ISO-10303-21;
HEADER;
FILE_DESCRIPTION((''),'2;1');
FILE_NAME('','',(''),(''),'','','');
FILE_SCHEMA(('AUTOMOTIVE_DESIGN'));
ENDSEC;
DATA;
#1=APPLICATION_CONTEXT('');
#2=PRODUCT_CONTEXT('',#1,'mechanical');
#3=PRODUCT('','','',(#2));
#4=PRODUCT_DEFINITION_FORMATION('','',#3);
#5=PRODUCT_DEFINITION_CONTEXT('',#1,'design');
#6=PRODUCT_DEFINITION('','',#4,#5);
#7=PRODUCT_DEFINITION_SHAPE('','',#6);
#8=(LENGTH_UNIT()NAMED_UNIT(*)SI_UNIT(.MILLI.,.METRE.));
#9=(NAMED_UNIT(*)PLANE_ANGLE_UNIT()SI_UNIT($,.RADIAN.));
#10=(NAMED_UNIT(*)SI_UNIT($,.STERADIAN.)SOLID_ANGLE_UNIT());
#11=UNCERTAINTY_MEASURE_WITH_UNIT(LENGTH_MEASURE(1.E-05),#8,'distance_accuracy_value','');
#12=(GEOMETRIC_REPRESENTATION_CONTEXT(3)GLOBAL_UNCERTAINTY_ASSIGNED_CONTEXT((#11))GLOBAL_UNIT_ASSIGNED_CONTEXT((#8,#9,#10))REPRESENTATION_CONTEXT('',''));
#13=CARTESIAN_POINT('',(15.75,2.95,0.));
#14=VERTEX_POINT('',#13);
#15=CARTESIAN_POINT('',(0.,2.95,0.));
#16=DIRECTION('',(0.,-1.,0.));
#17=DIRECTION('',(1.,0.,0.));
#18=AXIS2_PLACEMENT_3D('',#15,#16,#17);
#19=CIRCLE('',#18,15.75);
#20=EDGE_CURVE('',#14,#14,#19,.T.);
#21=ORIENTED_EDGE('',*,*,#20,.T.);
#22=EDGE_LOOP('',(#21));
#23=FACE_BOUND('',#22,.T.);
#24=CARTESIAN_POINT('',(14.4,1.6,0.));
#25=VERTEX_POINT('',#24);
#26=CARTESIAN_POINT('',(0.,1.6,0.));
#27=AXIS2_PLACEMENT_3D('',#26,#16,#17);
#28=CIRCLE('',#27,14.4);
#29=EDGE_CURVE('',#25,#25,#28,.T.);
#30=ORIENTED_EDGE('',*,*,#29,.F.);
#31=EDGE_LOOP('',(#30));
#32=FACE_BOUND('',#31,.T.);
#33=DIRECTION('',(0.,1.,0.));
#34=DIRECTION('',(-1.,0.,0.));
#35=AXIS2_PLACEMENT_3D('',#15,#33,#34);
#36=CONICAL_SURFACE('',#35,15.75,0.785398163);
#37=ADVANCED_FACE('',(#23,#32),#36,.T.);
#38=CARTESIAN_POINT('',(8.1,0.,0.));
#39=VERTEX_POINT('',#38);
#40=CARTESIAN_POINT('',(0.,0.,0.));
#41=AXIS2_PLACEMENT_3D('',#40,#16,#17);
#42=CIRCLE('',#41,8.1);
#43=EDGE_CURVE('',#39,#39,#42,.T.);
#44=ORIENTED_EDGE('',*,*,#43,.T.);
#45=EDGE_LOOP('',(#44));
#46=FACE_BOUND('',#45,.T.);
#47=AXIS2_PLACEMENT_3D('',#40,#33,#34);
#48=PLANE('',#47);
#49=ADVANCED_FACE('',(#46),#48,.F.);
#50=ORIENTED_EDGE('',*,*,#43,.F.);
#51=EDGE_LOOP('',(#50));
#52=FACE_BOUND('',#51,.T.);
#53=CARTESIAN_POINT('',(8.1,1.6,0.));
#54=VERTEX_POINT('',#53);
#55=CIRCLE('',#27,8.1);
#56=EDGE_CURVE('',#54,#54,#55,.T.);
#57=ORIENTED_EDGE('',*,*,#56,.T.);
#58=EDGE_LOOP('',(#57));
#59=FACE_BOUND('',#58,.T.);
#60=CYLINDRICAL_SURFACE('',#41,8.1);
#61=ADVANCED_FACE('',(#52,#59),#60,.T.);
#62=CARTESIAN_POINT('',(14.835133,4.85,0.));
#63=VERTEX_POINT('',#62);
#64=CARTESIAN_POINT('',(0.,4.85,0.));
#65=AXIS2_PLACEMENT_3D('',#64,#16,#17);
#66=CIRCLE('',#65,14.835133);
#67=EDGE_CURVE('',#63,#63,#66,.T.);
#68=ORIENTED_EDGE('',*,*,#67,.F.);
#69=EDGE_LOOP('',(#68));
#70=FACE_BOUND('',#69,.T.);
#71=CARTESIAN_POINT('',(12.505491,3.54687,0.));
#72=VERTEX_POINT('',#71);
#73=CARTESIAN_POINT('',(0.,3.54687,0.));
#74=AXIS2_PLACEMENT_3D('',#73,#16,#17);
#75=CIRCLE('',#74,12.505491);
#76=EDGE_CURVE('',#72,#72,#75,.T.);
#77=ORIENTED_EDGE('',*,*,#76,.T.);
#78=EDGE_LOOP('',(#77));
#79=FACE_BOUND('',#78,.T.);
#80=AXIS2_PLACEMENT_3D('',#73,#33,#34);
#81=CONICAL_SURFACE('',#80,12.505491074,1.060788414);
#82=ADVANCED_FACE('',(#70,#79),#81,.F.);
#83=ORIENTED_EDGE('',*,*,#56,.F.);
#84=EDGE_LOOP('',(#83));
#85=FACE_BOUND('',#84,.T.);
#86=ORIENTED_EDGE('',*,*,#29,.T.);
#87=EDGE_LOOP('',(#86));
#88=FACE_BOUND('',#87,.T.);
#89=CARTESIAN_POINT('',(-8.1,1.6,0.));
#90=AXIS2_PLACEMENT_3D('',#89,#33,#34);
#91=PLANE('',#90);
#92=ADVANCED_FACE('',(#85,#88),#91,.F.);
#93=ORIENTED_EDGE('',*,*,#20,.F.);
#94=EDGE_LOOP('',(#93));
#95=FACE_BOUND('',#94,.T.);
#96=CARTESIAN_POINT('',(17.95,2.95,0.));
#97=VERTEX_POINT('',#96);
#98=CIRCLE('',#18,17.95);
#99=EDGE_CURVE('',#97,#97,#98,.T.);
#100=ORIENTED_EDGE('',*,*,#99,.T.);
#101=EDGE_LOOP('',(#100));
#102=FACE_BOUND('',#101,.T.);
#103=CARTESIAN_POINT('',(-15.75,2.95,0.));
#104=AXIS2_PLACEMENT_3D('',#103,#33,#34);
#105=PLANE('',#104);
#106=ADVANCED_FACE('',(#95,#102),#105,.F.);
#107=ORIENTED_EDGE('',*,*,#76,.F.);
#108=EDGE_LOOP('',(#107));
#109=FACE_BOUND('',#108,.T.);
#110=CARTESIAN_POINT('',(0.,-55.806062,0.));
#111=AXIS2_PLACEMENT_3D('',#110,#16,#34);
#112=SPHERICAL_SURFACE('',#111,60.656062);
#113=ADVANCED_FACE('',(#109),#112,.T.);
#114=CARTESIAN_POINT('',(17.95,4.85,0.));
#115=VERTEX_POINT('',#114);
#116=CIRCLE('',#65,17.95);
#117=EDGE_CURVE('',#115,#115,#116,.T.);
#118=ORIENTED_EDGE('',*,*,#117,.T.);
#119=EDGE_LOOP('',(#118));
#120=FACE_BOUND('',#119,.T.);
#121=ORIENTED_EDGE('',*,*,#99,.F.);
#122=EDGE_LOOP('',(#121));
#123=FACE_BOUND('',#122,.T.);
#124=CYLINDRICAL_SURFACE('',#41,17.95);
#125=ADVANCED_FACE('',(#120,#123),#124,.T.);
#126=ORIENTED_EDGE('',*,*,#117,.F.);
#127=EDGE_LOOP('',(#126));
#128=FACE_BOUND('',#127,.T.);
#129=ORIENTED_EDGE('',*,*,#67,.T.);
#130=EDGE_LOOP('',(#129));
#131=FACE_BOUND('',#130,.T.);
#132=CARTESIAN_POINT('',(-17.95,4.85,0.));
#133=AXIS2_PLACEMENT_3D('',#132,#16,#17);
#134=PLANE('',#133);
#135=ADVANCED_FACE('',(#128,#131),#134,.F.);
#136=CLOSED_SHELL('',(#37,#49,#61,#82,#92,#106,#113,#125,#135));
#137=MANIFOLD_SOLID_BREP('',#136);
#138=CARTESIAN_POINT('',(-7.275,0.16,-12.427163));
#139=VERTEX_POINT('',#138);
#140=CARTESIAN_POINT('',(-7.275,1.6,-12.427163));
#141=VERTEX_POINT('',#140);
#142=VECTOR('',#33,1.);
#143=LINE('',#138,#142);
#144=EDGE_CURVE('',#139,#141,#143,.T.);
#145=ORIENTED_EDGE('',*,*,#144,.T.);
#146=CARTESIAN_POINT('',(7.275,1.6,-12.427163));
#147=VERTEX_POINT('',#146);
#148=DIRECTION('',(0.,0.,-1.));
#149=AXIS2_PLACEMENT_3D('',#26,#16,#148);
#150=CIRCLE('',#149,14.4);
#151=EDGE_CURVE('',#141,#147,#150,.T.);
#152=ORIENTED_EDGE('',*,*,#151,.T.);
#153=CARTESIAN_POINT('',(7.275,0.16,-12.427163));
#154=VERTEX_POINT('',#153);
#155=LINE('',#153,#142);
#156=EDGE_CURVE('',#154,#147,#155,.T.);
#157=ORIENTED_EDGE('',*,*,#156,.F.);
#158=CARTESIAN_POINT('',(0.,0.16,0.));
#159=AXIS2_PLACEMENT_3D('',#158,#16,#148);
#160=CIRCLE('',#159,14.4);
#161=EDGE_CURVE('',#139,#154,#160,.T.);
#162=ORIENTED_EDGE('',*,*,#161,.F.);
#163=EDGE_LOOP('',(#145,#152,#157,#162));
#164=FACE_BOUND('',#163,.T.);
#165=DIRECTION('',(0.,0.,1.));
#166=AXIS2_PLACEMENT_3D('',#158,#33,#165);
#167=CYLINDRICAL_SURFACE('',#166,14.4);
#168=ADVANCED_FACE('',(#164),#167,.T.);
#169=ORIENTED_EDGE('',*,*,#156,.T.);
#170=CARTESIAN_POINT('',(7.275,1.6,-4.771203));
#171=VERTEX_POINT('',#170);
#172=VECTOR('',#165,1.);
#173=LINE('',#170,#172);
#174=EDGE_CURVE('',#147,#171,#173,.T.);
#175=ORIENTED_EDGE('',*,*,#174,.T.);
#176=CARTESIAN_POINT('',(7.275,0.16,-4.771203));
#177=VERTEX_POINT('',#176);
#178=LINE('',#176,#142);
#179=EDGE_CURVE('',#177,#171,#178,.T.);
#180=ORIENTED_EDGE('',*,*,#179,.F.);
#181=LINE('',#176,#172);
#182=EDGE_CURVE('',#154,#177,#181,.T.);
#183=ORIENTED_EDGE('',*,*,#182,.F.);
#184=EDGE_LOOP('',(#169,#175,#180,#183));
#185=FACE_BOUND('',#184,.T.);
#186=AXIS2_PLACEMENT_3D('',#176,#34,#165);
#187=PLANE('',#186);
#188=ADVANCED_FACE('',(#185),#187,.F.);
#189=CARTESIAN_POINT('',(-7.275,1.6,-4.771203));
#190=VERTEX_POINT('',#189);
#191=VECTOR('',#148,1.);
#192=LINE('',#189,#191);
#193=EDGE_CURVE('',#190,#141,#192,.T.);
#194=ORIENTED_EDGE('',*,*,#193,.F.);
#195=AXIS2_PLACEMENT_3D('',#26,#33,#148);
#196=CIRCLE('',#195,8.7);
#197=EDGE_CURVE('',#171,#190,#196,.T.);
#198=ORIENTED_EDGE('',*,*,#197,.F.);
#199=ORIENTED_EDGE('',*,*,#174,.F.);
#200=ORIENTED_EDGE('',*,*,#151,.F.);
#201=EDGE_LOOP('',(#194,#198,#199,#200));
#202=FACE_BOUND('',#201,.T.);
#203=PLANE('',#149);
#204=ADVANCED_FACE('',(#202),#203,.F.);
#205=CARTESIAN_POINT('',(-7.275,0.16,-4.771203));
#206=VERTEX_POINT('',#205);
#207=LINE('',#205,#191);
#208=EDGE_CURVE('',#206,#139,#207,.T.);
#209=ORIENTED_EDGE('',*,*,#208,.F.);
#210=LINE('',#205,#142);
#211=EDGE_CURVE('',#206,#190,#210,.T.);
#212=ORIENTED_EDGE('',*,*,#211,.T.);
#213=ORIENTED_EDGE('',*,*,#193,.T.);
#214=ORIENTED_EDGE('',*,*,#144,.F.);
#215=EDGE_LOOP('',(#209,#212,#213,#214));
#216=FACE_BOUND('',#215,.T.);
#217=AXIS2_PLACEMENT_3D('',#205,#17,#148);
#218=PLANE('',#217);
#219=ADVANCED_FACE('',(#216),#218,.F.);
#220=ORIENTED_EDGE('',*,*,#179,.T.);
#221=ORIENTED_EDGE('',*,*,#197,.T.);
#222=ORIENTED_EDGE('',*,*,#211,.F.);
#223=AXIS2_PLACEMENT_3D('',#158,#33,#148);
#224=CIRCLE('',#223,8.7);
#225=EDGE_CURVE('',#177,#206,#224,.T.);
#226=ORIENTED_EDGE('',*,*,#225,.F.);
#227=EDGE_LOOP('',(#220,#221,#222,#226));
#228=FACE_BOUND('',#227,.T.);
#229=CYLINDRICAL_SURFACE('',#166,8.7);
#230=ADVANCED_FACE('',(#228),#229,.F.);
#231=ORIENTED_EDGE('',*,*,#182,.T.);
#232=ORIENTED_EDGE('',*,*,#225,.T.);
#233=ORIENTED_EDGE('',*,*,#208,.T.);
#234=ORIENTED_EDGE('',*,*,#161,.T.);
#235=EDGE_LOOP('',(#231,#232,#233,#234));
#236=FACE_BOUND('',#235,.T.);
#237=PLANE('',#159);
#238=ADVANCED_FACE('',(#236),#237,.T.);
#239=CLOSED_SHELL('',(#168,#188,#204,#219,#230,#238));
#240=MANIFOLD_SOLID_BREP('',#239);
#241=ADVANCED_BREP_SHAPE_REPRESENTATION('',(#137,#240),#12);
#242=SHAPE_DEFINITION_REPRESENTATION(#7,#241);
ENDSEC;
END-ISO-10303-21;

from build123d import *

# Parameters (mm, degrees)
BOSS_EXTRUDE1_DEPTH = 1.44


with BuildPart() as part:
    # Sketch1 → Revolve1 (revolve)
    with BuildSketch(Plane.XY, mode=Mode.PRIVATE) as revolve1_sk:
        with BuildLine():
            Line((0, 0), (-8.1, 0))
            Line((-8.1, 0), (-8.1, 1.6))
            Line((-8.1, 1.6), (-14.4, 1.6))
            Line((-14.4, 1.6), (-15.75, 2.95))
            Line((-15.75, 2.95), (-17.95, 2.95))
            Line((-17.95, 2.95), (-17.95, 4.85))
            Line((-17.95, 4.85), (-14.835133301, 4.85))
            Line((-14.835133301, 4.85), (-12.505491074, 3.546870113))
            ThreePointArc((-12.505491074, 3.546870113), (-6.286601914, 4.523337912), (0, 4.85))
            Line((0, 4.85), (0, 0))
        make_face()
    revolve(revolve1_sk.sketch.rotate(Axis((0, 0, 0), (0, 1, 0)), 180), axis=Axis((0, 0, 0), (0, 1, 0)))  # turned: the seam where the file's is


with BuildPart() as body_2:
    # Sketch2 → Boss-Extrude1 (new body)
    with BuildSketch(Plane.XZ.offset(-1.6)):
        with BuildLine():
            Line((-7.275, -4.771202679), (-7.275, -12.42716279))
            ThreePointArc((-7.275, -12.42716279), (0, -14.4), (7.275, -12.42716279))
            Line((7.275, -12.42716279), (7.275, -4.771202679))
            ThreePointArc((7.275, -4.771202679), (0, -8.7), (-7.275, -4.771202679))
        make_face()
    extrude(amount=BOSS_EXTRUDE1_DEPTH)


solid = Compound([part.part, body_2.part])
